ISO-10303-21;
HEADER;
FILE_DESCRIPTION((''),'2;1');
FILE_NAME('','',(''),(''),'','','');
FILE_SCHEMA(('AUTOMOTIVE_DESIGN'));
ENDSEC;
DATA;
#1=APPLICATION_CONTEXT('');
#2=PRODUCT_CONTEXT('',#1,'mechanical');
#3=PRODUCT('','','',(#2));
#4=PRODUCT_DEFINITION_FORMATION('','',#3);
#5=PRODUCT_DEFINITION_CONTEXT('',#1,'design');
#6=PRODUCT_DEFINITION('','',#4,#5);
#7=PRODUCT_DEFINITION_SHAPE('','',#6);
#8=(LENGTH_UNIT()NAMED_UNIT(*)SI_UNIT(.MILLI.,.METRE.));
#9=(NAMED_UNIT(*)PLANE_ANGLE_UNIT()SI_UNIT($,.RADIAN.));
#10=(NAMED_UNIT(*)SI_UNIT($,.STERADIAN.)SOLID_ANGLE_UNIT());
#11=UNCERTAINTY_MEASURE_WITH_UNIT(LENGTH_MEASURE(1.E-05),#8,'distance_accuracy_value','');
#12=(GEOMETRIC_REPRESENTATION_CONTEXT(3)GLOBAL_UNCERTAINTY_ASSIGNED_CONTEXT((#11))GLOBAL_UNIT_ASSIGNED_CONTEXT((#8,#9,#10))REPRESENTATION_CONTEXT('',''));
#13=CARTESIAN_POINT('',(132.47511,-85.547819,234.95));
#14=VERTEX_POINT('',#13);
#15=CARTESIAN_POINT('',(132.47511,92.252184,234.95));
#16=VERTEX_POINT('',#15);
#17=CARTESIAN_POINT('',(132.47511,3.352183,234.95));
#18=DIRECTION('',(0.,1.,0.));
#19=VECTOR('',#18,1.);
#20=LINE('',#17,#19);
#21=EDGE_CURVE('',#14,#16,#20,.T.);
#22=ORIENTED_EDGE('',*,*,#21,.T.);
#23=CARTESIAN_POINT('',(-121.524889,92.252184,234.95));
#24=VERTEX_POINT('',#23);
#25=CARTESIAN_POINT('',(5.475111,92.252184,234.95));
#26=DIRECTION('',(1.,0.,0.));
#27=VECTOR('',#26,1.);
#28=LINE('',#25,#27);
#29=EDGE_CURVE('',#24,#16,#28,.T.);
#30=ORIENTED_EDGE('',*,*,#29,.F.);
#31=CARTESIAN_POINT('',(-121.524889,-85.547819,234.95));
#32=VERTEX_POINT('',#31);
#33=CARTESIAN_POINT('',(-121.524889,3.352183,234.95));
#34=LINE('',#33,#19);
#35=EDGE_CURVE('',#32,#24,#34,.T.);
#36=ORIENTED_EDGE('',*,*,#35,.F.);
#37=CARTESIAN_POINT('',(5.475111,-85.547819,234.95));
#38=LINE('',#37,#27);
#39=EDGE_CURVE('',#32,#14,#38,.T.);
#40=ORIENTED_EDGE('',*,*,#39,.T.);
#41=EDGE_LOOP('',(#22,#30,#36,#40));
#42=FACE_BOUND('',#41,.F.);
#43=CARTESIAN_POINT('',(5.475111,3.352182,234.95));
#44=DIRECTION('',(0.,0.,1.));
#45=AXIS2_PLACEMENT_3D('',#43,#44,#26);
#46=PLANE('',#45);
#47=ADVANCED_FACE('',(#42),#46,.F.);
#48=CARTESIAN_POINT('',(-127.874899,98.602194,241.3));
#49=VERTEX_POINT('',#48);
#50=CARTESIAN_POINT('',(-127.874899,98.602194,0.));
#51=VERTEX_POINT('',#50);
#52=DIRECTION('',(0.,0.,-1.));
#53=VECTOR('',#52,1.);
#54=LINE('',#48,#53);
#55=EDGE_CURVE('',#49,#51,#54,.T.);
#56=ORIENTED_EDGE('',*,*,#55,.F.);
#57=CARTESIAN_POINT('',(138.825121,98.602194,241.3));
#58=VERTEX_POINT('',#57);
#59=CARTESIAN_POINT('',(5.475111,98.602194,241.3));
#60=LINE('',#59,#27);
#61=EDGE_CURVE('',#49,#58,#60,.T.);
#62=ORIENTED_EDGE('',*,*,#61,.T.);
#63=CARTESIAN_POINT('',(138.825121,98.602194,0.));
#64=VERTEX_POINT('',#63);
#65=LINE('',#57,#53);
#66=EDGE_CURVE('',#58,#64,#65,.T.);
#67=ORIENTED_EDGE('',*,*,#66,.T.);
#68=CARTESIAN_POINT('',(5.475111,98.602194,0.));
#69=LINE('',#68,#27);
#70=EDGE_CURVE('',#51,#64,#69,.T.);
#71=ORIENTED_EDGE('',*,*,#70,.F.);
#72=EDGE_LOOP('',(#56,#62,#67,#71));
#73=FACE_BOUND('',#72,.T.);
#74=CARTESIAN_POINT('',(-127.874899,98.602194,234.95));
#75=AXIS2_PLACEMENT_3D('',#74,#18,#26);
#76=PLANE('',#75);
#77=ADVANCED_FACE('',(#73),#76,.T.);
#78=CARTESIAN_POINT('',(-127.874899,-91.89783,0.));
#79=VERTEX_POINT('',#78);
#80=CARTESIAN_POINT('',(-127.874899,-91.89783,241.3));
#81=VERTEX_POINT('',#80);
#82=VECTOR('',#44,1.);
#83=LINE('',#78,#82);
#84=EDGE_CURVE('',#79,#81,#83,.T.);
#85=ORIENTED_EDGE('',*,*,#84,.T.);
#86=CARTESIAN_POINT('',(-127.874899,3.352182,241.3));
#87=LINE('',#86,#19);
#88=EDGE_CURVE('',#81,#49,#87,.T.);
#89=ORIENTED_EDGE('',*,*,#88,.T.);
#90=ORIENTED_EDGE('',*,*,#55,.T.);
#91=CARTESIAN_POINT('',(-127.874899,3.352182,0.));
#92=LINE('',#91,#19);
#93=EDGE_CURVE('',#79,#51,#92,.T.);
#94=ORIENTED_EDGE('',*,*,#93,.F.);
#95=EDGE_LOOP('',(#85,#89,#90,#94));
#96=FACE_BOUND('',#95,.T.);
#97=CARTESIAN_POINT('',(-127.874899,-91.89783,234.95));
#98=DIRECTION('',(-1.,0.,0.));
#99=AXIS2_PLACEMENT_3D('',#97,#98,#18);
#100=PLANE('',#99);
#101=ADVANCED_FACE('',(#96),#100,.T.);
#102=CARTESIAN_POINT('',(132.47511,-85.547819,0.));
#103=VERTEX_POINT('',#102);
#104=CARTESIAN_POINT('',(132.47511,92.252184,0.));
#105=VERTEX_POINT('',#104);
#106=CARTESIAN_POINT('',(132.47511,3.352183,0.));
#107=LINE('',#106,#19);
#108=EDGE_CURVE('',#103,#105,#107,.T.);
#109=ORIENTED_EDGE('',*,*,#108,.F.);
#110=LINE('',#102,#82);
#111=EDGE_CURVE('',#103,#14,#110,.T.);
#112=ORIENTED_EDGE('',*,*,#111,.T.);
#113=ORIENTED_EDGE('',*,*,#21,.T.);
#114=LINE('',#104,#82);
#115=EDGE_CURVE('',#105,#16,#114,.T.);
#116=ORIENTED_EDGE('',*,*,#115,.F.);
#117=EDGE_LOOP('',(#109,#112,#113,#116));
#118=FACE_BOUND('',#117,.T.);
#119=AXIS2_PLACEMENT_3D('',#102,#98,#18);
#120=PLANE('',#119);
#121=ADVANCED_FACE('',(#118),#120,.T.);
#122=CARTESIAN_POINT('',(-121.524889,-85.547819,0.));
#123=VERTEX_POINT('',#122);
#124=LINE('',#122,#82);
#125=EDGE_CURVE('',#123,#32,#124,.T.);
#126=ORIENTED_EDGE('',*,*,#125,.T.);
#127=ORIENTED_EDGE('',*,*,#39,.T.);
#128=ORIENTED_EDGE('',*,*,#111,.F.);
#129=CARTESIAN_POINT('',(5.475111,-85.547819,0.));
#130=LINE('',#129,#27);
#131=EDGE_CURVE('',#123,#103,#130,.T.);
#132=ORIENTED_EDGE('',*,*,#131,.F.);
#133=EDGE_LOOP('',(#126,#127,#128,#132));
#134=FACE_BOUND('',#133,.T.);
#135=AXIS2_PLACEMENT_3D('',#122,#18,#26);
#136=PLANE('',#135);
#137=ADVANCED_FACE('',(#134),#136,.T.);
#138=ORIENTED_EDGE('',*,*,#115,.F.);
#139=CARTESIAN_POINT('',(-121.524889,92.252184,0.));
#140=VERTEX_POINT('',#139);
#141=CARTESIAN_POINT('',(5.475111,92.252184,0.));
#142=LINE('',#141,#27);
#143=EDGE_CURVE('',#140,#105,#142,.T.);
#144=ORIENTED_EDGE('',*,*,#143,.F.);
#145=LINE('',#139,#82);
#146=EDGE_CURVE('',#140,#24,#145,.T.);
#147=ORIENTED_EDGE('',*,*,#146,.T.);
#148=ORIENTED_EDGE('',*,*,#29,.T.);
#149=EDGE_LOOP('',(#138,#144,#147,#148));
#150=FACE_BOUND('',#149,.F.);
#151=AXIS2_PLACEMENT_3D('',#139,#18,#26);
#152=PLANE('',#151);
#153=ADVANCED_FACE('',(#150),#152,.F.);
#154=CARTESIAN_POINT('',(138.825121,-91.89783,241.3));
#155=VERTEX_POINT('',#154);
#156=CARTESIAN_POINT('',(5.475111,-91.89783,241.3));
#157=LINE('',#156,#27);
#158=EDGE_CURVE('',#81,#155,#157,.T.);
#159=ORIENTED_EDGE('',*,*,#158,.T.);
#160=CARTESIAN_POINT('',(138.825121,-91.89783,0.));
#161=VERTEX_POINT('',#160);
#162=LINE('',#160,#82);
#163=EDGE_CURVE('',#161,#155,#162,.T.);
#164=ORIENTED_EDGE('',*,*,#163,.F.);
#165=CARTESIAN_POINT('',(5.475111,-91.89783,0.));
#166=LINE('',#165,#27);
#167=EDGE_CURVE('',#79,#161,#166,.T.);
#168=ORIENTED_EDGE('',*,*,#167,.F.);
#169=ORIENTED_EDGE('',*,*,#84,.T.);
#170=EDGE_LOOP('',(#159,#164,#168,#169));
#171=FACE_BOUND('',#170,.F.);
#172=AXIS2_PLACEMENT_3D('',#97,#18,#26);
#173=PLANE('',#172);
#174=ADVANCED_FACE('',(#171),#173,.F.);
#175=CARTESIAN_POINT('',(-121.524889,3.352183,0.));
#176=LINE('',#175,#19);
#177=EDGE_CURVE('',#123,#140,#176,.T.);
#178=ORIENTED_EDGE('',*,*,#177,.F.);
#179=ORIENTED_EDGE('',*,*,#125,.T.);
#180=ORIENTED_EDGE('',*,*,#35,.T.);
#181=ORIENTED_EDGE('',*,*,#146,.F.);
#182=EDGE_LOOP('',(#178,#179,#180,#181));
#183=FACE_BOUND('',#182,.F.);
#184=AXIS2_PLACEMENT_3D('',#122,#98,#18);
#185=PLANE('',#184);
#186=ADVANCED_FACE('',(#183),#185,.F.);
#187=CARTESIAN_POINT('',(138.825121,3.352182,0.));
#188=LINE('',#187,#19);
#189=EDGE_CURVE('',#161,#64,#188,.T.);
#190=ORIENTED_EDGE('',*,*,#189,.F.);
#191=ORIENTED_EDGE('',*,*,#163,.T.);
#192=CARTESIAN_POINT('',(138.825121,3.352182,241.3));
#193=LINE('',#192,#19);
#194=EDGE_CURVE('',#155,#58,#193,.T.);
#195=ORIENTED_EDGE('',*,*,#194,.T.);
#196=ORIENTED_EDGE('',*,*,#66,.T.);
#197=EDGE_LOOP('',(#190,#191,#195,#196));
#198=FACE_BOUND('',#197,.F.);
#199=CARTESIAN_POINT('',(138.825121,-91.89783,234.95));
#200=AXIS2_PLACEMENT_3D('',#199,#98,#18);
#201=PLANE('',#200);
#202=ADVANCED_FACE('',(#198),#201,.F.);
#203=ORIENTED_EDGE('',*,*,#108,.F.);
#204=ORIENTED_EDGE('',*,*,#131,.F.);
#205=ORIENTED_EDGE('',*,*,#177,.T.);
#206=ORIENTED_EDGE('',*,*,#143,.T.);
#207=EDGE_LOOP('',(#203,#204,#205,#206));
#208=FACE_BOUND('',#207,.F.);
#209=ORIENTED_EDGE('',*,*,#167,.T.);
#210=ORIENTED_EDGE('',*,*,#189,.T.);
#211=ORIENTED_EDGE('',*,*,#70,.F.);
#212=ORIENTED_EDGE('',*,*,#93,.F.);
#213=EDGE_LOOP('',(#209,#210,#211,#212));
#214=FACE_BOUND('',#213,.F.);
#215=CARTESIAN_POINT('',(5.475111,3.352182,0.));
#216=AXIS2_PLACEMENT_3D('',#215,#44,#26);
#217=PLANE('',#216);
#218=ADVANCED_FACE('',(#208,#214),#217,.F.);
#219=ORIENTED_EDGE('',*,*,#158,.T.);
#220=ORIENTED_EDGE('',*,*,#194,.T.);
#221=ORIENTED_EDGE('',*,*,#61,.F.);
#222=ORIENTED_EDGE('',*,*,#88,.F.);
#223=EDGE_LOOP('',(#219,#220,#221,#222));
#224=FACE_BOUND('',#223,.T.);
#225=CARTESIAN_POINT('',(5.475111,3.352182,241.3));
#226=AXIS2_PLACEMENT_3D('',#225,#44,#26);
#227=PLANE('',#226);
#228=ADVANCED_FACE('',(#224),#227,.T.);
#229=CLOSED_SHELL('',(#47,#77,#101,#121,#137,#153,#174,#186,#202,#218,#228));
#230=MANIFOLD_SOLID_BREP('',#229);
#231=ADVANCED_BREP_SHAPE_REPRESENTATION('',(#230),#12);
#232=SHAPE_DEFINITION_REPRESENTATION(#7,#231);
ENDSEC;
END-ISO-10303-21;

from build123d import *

# Parameters (mm, degrees)
F0_W     = 266.70002
F0_H     = 190.500024
F0_W_2   = 253.999999
F0_H_2   = 177.800003
F1_DEPTH = 234.95
F2_W     = 266.70002
F2_H     = 190.500024
F3_DEPTH = 6.35


with BuildPart() as f1:
    # F0 (on Top) → F1 (new body)
    with BuildSketch(Plane.XY):
        with Locations((5.475111, 3.352182)):
            Rectangle(F0_W, F0_H)
        with Locations((5.475111, 3.352183)):
            Rectangle(F0_W_2, F0_H_2, mode=Mode.SUBTRACT)
    extrude(amount=F1_DEPTH)

    # F2 (on face) → F3 (join)
    with BuildSketch(Plane.XY.offset(234.95)):
        with Locations((5.475111, 3.352182)):
            Rectangle(F2_W, F2_H)
    extrude(amount=F3_DEPTH)


solid = f1.part
